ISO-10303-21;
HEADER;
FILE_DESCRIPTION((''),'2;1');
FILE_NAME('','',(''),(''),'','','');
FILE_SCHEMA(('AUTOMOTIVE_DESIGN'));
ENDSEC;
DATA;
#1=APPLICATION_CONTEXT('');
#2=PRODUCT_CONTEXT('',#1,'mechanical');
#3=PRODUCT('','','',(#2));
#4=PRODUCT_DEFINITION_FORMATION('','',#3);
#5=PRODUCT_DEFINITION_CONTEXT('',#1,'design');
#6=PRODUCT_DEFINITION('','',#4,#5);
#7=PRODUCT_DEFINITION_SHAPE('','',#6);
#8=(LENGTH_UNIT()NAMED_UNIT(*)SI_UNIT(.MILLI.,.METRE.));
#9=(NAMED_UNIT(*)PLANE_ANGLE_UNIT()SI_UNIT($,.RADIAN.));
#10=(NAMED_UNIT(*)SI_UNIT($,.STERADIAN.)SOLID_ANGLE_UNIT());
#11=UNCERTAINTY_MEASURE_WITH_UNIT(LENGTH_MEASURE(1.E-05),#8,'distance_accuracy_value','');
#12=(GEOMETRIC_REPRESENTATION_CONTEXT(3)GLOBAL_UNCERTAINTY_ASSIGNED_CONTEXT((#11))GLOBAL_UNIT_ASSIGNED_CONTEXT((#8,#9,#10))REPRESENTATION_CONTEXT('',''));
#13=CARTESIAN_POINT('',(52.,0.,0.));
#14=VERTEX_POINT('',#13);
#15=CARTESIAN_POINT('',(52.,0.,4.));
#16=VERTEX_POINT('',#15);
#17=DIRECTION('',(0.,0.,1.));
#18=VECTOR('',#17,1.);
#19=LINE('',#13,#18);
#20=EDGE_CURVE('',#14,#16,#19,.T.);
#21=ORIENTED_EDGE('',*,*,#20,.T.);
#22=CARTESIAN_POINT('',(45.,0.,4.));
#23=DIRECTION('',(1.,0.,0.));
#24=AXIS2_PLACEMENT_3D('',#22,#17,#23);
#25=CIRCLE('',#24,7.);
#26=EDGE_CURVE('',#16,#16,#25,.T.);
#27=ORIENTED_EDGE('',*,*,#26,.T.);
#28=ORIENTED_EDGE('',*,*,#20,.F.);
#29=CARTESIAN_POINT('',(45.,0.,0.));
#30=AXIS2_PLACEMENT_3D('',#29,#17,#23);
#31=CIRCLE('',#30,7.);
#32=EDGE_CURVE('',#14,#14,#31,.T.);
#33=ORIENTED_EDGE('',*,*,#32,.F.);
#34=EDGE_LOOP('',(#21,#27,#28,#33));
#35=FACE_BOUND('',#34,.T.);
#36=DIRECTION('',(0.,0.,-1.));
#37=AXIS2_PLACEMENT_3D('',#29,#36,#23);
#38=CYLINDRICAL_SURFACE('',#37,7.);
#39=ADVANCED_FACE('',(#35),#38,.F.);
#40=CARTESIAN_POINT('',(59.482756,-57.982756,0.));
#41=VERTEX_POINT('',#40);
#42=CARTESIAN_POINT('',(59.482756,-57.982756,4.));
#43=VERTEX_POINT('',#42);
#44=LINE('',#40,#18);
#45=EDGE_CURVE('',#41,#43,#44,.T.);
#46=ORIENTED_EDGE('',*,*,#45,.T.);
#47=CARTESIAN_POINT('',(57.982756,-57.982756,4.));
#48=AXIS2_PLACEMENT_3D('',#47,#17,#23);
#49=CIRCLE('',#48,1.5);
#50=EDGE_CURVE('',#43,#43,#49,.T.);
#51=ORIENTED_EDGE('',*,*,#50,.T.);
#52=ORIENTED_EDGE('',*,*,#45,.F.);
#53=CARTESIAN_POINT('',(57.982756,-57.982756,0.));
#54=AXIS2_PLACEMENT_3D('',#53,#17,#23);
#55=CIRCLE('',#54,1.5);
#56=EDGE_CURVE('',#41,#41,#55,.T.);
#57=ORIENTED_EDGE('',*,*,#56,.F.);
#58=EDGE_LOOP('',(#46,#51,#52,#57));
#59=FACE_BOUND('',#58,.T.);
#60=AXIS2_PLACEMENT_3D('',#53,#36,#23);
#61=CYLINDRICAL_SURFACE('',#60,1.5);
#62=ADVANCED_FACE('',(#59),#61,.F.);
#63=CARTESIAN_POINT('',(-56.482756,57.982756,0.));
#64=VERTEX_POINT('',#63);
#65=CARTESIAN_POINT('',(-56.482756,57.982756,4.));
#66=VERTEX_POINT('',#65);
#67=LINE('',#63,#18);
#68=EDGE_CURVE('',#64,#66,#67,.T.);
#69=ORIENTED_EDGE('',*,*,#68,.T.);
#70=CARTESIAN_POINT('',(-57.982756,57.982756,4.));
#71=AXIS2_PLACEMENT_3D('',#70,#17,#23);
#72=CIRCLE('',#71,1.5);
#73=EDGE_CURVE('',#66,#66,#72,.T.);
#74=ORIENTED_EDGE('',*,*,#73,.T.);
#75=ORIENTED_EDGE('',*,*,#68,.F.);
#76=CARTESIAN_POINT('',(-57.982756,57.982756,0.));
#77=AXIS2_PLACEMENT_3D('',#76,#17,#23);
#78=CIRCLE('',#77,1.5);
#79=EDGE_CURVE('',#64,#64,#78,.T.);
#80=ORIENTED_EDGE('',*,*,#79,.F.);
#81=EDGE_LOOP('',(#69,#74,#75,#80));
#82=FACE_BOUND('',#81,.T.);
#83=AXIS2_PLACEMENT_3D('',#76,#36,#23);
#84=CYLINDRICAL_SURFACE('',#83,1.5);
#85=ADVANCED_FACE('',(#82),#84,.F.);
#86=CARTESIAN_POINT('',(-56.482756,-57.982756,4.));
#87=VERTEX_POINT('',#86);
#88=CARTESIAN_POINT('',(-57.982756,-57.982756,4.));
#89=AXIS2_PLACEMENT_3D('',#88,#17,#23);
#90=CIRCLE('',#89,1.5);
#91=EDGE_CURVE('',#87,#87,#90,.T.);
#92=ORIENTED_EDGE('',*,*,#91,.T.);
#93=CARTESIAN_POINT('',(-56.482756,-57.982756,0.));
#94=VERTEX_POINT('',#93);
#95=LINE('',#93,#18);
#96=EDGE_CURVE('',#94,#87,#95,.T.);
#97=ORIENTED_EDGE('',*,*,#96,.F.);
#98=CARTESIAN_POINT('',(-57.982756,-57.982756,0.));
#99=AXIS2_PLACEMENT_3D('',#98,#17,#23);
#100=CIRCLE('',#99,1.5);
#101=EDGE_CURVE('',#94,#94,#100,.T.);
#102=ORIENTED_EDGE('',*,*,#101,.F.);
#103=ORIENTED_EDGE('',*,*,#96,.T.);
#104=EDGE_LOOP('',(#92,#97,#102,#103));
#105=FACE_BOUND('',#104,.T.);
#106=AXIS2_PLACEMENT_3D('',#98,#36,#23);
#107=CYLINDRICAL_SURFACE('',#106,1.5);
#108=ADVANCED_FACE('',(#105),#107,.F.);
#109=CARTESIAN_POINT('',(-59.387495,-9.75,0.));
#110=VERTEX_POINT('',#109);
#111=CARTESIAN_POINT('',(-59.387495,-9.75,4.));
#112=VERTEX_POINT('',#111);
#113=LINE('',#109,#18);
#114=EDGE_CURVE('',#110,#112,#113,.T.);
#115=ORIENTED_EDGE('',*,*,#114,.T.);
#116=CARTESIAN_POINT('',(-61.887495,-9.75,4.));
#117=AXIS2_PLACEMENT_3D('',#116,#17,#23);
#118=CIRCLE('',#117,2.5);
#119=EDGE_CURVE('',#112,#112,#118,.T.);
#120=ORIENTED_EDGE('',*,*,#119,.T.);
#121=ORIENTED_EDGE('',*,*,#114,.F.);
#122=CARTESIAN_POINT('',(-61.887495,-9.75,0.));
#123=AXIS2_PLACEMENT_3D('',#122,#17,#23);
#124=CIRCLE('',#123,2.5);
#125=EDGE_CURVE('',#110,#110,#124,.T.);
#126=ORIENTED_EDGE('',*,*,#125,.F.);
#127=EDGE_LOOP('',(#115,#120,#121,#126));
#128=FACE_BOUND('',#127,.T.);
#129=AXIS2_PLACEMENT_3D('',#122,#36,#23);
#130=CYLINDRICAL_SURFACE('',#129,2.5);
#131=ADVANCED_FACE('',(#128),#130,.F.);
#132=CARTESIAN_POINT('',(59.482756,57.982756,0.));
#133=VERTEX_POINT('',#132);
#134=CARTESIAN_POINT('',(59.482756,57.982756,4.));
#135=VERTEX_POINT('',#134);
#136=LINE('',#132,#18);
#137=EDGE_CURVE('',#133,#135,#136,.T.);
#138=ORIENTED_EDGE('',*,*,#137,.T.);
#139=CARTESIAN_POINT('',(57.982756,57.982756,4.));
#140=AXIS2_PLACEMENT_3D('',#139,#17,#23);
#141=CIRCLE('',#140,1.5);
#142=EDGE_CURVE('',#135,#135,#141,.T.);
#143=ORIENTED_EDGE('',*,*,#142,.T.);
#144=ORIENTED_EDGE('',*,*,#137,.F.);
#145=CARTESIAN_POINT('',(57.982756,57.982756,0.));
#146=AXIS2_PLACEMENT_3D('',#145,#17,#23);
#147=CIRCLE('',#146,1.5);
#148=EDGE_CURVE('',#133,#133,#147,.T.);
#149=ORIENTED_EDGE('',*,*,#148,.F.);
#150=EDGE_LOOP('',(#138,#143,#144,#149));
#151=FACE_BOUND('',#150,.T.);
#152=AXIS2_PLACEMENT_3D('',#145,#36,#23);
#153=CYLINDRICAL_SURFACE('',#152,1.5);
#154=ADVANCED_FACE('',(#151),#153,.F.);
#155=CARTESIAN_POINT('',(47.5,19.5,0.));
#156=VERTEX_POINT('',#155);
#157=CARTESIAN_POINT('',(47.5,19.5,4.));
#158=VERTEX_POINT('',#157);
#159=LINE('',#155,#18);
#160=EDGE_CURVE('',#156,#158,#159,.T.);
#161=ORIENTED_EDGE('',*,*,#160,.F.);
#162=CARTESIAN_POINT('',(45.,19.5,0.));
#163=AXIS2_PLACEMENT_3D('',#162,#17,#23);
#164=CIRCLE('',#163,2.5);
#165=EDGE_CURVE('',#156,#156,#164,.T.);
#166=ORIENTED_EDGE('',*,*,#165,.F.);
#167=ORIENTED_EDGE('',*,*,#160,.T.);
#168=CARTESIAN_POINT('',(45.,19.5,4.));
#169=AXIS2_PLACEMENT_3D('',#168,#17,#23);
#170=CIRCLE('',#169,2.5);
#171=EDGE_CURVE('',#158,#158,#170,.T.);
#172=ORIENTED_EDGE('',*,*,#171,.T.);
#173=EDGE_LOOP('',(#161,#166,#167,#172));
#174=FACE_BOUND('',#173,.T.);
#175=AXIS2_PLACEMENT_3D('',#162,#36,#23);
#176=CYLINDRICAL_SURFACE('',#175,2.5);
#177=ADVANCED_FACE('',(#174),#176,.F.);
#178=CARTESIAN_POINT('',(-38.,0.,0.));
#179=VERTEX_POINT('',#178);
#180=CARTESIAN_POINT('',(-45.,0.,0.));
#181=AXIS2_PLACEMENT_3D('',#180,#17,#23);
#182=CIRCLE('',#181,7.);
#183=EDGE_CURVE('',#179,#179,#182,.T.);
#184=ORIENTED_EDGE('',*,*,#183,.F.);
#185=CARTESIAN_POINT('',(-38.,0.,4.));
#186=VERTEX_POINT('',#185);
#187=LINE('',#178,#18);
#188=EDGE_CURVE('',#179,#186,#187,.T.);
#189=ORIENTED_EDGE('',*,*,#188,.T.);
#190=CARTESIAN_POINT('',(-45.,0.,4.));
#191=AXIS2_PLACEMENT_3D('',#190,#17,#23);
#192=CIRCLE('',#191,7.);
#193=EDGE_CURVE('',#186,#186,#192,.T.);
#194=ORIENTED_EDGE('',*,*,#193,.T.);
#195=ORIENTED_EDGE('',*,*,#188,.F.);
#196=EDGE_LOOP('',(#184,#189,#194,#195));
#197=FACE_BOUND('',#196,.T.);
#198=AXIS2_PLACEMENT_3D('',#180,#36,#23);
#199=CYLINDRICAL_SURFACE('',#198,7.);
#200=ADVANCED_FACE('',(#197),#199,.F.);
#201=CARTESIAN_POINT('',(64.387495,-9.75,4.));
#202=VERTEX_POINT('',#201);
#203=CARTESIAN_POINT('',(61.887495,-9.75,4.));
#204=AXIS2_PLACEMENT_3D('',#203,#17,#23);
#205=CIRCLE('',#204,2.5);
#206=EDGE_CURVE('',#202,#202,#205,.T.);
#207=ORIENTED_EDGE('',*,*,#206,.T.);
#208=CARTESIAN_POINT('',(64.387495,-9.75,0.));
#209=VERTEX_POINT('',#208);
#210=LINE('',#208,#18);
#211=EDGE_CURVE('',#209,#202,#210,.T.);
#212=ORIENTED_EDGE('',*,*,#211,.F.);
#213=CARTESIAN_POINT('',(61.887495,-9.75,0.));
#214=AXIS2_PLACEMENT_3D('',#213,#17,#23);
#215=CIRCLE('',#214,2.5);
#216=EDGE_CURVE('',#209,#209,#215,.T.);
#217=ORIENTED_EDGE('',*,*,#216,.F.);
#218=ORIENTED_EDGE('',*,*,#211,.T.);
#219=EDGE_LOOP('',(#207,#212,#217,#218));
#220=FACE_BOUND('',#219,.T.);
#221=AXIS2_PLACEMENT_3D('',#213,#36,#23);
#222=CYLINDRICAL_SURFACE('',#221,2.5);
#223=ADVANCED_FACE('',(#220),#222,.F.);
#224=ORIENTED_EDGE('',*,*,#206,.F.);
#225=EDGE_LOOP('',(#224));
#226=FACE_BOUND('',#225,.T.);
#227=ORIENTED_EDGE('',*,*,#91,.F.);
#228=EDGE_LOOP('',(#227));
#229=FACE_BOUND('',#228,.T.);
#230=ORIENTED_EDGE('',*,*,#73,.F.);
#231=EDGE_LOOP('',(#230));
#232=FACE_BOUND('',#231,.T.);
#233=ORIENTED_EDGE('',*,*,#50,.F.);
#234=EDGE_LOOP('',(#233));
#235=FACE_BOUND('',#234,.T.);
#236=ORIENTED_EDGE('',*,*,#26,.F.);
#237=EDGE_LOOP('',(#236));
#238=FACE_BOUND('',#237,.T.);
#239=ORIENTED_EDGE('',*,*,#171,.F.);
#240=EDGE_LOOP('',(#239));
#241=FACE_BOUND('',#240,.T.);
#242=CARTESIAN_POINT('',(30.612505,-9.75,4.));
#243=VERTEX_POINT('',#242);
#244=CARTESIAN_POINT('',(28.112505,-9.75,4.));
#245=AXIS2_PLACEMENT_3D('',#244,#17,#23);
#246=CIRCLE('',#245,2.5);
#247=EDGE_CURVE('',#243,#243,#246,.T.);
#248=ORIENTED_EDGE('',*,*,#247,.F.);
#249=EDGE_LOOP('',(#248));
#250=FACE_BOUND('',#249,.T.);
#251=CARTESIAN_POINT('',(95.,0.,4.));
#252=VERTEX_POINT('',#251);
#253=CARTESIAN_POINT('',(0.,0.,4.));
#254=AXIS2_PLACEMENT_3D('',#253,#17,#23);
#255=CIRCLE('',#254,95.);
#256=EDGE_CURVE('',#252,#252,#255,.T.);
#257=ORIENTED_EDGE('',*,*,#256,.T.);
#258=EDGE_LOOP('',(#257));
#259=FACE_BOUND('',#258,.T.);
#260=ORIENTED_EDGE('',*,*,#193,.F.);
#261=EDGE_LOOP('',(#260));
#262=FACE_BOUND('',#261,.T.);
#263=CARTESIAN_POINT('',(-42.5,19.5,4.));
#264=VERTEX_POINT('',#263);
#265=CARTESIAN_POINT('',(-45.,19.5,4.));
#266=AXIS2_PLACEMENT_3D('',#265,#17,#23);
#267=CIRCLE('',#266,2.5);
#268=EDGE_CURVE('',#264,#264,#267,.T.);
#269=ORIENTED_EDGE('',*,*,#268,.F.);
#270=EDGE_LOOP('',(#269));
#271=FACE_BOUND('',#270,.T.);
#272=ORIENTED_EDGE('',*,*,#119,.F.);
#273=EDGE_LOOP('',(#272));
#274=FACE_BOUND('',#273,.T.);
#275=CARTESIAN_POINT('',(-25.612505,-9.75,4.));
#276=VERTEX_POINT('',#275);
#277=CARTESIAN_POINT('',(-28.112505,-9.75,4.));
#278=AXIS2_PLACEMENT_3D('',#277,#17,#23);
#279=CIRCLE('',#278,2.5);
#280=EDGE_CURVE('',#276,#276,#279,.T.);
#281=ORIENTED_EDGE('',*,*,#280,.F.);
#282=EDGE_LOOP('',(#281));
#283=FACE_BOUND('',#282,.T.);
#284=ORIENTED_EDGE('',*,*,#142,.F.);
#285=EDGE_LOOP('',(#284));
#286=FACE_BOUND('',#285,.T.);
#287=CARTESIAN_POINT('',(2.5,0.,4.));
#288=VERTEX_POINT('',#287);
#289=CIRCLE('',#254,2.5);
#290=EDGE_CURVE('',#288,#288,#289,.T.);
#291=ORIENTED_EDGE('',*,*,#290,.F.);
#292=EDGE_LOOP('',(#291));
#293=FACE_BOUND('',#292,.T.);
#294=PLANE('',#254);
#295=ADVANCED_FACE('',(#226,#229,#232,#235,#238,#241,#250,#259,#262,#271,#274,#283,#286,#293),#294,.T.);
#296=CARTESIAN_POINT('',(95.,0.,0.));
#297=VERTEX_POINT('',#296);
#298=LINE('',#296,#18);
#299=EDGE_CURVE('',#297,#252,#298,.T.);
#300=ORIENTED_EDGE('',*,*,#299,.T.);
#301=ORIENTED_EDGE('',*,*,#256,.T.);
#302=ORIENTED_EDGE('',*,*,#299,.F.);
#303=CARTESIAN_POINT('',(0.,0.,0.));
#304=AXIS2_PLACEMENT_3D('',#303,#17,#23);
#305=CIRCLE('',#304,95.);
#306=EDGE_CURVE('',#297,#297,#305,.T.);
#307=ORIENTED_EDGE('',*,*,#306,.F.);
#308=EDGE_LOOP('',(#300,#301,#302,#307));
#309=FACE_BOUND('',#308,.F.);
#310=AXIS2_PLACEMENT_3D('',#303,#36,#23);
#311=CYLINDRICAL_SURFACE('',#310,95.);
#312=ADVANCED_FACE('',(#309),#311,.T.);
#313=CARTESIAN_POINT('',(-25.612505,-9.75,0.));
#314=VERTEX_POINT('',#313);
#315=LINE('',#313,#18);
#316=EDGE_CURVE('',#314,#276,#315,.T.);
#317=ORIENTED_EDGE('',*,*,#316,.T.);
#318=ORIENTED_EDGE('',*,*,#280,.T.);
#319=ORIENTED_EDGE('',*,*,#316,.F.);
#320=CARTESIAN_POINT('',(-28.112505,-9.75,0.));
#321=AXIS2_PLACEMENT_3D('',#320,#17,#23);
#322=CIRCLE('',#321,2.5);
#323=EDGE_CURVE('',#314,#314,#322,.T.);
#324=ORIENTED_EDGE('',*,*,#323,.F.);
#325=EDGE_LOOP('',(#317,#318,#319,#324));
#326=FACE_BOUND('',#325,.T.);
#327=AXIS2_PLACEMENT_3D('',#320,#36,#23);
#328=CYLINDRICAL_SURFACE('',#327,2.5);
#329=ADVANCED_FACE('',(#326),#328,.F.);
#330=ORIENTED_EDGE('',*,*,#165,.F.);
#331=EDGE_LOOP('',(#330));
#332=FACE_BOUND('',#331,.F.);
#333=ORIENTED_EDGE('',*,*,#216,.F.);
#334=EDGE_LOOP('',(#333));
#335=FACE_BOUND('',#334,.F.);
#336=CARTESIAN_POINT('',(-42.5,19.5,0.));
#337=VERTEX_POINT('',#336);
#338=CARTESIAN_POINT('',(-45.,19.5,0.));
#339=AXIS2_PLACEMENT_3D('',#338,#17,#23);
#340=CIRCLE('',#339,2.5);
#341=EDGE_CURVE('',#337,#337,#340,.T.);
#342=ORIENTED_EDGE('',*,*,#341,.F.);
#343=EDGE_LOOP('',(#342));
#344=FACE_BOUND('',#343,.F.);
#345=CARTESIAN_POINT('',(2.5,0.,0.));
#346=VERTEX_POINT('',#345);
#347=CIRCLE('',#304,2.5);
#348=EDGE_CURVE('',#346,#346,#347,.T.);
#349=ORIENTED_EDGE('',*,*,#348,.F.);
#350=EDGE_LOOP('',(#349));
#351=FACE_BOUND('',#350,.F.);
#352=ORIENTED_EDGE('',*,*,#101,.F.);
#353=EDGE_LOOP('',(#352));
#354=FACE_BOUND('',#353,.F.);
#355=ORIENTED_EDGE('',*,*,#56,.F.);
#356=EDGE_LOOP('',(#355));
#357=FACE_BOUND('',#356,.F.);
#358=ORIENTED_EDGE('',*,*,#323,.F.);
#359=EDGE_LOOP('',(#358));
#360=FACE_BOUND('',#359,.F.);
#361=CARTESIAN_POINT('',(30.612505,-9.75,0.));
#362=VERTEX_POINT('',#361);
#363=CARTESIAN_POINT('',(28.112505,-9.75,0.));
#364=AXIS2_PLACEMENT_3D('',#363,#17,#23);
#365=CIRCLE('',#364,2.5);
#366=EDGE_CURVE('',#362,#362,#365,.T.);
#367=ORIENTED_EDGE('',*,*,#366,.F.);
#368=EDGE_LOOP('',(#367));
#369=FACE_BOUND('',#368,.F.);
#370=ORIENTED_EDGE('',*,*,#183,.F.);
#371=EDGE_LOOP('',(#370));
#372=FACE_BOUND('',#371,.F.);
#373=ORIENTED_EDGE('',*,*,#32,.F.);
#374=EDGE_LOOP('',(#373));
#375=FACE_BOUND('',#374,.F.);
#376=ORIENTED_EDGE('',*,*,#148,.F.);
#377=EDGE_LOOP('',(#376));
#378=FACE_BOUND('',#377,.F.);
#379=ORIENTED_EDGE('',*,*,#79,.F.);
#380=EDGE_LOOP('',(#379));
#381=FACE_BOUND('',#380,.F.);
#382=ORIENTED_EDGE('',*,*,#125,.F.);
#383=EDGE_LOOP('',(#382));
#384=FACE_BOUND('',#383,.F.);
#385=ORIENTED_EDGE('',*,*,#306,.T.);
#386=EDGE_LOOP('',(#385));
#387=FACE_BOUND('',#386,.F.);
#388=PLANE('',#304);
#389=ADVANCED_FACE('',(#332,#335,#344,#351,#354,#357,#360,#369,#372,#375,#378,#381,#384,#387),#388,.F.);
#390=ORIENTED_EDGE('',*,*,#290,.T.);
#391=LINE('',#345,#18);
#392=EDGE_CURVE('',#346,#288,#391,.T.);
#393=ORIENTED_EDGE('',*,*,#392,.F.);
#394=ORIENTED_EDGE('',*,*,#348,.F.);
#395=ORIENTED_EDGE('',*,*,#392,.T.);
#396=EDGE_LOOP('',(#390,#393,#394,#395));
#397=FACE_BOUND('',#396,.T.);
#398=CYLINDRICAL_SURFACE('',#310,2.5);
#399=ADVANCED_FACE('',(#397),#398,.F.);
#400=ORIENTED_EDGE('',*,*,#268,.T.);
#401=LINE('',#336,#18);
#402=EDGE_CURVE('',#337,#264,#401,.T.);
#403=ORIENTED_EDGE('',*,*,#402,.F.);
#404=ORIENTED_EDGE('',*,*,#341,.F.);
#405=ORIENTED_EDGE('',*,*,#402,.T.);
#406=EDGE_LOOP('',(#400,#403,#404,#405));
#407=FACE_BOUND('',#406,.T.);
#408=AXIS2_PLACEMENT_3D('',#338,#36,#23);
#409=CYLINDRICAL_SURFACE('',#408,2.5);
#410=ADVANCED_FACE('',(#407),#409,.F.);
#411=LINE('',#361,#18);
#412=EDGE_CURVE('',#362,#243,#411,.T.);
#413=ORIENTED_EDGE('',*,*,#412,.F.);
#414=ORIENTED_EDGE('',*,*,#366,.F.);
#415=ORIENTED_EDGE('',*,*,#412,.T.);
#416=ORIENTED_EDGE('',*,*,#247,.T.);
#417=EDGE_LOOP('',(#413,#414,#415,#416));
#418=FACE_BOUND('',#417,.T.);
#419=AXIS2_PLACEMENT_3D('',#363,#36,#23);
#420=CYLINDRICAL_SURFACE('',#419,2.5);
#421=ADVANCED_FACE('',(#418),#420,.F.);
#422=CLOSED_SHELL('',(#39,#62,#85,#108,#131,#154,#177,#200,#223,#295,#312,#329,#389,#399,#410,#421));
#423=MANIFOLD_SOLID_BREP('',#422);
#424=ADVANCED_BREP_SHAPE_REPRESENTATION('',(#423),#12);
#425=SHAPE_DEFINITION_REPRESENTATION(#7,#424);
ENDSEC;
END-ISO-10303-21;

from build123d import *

# Parameters (mm, degrees)
SKETCH_R   = 95
SKETCH_R_2 = 7
SKETCH_R_3 = 1.5
SKETCH_R_4 = 2.5
PAD_DEPTH  = 4


with BuildPart() as part:
    # Sketch → Pad (new body)
    with BuildSketch(Plane.XY):
        Circle(SKETCH_R)
        with Locations((-45, 0)):
            Circle(SKETCH_R_2, mode=Mode.SUBTRACT)
        with Locations((45, 0)):
            Circle(SKETCH_R_2, mode=Mode.SUBTRACT)
        with Locations((57.982756, 57.982756)):
            Circle(SKETCH_R_3, mode=Mode.SUBTRACT)
        with Locations((-57.982756, 57.982756)):
            Circle(SKETCH_R_3, mode=Mode.SUBTRACT)
        with Locations((-57.982756, -57.982756)):
            Circle(SKETCH_R_3, mode=Mode.SUBTRACT)
        with Locations((57.982756, -57.982756)):
            Circle(SKETCH_R_3, mode=Mode.SUBTRACT)
        with Locations((-45, 19.5)):
            Circle(SKETCH_R_4, mode=Mode.SUBTRACT)
        with Locations((-28.112505, -9.75)):
            Circle(SKETCH_R_4, mode=Mode.SUBTRACT)
        with Locations((-61.887495, -9.75)):
            Circle(SKETCH_R_4, mode=Mode.SUBTRACT)
        with Locations((45, 19.5)):
            Circle(SKETCH_R_4, mode=Mode.SUBTRACT)
        with Locations((28.112505, -9.75)):
            Circle(SKETCH_R_4, mode=Mode.SUBTRACT)
        with Locations((61.887495, -9.75)):
            Circle(SKETCH_R_4, mode=Mode.SUBTRACT)
        Circle(SKETCH_R_4, mode=Mode.SUBTRACT)
    extrude(amount=PAD_DEPTH)


solid = part.part
